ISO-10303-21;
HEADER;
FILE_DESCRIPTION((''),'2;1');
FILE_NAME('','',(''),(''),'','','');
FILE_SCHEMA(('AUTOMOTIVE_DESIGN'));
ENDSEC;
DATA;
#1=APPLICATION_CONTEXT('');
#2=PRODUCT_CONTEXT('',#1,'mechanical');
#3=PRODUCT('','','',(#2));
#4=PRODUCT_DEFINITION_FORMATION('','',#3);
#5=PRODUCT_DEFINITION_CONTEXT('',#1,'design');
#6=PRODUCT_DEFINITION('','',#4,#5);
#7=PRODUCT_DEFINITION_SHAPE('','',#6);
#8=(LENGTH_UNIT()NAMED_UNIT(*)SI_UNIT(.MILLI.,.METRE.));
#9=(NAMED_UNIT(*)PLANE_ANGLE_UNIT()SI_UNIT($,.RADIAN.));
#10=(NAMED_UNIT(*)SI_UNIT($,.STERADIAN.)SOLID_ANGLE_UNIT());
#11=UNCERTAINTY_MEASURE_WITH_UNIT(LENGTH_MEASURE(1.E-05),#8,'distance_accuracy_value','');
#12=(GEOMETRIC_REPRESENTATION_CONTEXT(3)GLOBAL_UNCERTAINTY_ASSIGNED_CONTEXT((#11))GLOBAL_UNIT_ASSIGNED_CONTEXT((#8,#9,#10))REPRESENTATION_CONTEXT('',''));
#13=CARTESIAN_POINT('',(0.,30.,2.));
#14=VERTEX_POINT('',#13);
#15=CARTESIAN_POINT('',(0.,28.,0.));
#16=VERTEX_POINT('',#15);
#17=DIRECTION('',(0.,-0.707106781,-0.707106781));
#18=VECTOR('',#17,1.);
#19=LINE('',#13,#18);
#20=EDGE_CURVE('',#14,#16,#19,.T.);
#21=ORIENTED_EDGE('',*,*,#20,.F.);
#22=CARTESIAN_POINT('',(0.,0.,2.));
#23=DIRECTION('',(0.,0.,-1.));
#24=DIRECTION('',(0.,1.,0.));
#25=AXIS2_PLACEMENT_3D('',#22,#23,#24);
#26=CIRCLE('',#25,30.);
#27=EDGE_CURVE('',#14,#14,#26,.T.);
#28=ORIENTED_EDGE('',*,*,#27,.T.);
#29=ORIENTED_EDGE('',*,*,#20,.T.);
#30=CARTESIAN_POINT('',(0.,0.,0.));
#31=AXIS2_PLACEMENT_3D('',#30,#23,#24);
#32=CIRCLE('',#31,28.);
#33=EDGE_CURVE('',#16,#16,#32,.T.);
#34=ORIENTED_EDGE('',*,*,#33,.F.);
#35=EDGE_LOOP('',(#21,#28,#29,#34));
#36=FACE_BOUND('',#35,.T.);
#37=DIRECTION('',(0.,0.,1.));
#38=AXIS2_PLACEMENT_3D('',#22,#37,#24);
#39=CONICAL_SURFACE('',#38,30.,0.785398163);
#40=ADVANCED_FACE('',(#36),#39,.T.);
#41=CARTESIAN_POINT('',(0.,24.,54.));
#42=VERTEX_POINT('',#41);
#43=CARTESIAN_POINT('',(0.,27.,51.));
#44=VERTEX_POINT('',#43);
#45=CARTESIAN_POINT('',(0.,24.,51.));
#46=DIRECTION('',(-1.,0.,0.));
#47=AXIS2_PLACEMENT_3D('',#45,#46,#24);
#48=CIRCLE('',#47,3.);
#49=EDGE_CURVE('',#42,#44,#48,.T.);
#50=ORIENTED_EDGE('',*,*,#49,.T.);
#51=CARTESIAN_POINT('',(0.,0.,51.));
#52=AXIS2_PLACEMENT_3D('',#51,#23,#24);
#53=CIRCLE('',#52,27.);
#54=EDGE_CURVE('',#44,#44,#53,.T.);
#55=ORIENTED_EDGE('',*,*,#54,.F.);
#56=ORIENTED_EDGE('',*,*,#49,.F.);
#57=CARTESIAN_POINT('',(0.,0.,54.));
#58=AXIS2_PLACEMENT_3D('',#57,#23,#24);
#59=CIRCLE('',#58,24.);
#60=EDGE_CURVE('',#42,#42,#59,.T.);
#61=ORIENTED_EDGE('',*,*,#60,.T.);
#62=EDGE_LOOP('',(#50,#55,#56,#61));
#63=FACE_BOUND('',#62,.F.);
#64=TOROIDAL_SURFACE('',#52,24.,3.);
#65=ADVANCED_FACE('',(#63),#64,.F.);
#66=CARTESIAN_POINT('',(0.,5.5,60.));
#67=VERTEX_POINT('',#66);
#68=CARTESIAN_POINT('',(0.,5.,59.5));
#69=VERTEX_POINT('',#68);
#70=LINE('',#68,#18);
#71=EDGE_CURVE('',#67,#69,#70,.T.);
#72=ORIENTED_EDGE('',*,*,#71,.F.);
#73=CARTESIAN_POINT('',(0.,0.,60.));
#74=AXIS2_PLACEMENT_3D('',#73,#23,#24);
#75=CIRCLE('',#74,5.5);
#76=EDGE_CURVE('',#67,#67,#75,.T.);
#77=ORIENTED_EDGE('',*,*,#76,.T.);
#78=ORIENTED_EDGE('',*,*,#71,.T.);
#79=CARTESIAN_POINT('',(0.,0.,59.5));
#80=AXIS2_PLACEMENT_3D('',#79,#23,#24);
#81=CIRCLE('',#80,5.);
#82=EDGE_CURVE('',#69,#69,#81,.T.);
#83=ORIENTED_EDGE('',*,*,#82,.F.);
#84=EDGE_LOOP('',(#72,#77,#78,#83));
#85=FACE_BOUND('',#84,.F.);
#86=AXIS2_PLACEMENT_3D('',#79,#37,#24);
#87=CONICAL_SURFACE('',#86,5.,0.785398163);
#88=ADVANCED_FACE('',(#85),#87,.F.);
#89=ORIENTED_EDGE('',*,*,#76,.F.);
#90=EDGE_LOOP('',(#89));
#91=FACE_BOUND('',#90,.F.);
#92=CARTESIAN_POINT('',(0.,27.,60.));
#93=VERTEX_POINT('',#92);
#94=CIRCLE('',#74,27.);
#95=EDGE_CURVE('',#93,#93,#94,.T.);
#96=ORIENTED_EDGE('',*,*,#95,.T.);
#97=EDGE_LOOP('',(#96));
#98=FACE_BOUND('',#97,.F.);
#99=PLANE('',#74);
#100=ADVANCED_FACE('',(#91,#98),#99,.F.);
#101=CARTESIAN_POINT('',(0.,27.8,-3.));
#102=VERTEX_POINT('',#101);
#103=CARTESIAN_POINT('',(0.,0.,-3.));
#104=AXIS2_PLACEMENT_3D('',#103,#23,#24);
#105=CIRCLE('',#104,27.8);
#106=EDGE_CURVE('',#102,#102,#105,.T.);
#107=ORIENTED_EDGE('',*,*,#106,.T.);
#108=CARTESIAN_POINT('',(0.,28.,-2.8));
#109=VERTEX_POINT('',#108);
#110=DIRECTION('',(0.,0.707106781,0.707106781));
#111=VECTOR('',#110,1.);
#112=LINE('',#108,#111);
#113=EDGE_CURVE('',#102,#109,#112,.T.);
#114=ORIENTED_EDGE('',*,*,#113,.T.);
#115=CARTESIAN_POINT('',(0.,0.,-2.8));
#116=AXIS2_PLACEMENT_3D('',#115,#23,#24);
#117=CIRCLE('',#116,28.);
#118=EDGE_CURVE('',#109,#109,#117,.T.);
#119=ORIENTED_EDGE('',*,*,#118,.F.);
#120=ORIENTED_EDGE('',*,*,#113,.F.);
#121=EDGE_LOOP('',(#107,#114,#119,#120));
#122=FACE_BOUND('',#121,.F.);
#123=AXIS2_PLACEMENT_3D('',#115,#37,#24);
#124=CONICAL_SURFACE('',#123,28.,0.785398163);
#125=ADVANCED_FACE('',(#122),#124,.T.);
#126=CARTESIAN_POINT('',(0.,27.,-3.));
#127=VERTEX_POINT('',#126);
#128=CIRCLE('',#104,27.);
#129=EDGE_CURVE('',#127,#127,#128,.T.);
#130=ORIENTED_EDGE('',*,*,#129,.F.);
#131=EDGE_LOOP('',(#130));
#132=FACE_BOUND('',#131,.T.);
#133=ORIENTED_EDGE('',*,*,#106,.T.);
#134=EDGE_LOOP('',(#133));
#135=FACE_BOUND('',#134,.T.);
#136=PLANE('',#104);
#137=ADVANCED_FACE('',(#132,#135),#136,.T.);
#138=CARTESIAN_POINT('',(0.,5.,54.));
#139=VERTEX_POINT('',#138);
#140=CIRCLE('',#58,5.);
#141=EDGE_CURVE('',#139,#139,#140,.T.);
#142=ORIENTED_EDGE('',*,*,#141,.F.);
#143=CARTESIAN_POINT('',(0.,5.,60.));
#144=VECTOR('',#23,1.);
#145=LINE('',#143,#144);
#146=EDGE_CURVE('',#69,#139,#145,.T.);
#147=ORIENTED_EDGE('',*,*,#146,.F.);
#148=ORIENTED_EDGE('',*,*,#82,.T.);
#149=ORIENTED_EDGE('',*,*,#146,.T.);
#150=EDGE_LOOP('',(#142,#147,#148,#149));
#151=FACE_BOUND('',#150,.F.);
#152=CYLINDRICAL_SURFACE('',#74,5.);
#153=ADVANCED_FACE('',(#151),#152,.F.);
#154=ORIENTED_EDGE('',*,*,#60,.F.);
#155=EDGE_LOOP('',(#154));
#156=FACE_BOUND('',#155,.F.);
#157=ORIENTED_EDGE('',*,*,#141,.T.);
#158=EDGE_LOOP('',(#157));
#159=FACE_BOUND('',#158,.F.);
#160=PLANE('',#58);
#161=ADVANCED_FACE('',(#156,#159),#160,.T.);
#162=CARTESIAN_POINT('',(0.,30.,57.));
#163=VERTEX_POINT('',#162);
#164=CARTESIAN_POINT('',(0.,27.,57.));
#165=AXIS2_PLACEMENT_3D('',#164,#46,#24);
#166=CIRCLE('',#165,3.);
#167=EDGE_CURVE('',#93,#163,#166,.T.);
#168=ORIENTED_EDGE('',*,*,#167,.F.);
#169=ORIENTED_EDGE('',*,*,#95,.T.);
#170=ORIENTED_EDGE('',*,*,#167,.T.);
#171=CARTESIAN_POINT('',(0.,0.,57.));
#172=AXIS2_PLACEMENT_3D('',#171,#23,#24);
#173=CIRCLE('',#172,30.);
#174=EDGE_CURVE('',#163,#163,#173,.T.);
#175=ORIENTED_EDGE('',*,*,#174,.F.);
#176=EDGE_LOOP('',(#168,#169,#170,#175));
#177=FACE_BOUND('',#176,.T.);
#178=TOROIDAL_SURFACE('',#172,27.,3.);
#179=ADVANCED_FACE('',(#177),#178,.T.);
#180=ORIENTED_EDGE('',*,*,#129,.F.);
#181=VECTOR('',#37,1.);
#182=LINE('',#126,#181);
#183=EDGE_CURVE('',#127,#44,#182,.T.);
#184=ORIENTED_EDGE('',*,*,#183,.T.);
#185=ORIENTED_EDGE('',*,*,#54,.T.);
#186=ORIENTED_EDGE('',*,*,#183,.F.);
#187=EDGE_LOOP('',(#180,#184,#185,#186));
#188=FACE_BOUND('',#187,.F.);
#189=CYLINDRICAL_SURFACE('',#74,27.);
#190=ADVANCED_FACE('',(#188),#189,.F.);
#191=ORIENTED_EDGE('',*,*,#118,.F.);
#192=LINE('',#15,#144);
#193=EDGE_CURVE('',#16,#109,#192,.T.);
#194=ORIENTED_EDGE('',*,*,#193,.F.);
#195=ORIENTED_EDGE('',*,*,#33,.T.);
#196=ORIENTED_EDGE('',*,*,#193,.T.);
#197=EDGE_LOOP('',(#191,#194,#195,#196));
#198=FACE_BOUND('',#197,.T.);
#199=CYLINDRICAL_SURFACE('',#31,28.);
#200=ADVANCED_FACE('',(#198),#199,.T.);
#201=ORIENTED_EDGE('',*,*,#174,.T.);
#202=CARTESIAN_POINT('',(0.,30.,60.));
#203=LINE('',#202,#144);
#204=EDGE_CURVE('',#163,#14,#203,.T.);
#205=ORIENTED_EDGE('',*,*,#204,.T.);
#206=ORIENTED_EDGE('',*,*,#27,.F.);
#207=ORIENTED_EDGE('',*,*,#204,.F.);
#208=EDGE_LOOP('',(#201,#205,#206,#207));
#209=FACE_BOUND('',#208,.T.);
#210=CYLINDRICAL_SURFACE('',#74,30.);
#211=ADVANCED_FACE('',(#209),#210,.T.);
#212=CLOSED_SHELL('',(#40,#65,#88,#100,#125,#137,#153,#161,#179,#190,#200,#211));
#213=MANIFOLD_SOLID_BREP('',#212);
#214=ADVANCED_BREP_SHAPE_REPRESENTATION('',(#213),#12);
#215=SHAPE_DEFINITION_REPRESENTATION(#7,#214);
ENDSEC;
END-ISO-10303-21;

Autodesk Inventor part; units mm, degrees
ref_plane "YZ Plane" through (0, 0, 0) normal (1, 0, 0) x (0, 1, 0)
ref_plane "XZ Plane" through (0, 0, 0) normal (0, 1, 0) x (-1, 0, 0)
ref_plane "XY Plane" through (0, 0, 0) normal (0, 0, 1) x (1, 0, 0)
sketch "Sketch2" plane through (0, 0, 0) normal (1, 0, 0) x (0, 1, 0)
  line L0 (0, 0) -> (30, 0)
  line L1 (30, 60) -> (30, -60)
  line L2 (30, 60) -> (27, 60)
  line L3 (27, 60) -> (27, -60)
  line L4 (27, -60) -> (30, -60)
  line L5 (27, 60) -> (0, 60)
  line L6 (0, 60) -> (5, 60)
  line L7 (5, 60) -> (5, 54)
  line L8 (5, 54) -> (27, 54)
  line L9 (27, -60) -> (0, -60)
  line L10 (0, -60) -> (5, -60)
  line L11 (5, -60) -> (5, -54)
  line L12 (5, -54) -> (27, -54)
  line L13 (0, 60) -> (0, -60)
  line L14 (27, 0) -> (28, 0)
  line L15 (28, 0) -> (28, -3)
  line L16 (28, -3) -> (27, -3)
  line L17 (28, 0) -> (28, 2)
  line L18 (28, 2) -> (30, 2)
  line L19 (30, 2) -> (28, 0)
  dimension "d12" = 30
  dimension "d13" = 120
  dimension "d14" = 3
  dimension "d15" = 5
  dimension "d16" = 6
  dimension "d17" = 6
  dimension "d26" = 1
  dimension "d27" = 3
  dimension "d28" = 2
revolve "Revolution1" add sketch "Sketch2" angle 360 about axis through (0, 0, 60) along (0, 0, -1) contours L3 L2 L1 L18 L17 L0 | L0 L15 L16 L3 | L17 L18 L19 | L8 L7 L5 L3
fillet "Fillet2" radius 3 1 edges at (0, -30, 60)
thread "Thread3" size "M10x1.5" class "6H" standard "ISO Metric profile" full length
chamfer "Chamfer2" distance 0.5 angle 45 1 edges at (0, -5, 60)
fillet "Fillet3" radius 3 1 edges at (0, -27, 54)
chamfer "Chamfer3" distance 0.2 angle 45 1 edges at (0, -28, -3)
properties part number "Plenum"
